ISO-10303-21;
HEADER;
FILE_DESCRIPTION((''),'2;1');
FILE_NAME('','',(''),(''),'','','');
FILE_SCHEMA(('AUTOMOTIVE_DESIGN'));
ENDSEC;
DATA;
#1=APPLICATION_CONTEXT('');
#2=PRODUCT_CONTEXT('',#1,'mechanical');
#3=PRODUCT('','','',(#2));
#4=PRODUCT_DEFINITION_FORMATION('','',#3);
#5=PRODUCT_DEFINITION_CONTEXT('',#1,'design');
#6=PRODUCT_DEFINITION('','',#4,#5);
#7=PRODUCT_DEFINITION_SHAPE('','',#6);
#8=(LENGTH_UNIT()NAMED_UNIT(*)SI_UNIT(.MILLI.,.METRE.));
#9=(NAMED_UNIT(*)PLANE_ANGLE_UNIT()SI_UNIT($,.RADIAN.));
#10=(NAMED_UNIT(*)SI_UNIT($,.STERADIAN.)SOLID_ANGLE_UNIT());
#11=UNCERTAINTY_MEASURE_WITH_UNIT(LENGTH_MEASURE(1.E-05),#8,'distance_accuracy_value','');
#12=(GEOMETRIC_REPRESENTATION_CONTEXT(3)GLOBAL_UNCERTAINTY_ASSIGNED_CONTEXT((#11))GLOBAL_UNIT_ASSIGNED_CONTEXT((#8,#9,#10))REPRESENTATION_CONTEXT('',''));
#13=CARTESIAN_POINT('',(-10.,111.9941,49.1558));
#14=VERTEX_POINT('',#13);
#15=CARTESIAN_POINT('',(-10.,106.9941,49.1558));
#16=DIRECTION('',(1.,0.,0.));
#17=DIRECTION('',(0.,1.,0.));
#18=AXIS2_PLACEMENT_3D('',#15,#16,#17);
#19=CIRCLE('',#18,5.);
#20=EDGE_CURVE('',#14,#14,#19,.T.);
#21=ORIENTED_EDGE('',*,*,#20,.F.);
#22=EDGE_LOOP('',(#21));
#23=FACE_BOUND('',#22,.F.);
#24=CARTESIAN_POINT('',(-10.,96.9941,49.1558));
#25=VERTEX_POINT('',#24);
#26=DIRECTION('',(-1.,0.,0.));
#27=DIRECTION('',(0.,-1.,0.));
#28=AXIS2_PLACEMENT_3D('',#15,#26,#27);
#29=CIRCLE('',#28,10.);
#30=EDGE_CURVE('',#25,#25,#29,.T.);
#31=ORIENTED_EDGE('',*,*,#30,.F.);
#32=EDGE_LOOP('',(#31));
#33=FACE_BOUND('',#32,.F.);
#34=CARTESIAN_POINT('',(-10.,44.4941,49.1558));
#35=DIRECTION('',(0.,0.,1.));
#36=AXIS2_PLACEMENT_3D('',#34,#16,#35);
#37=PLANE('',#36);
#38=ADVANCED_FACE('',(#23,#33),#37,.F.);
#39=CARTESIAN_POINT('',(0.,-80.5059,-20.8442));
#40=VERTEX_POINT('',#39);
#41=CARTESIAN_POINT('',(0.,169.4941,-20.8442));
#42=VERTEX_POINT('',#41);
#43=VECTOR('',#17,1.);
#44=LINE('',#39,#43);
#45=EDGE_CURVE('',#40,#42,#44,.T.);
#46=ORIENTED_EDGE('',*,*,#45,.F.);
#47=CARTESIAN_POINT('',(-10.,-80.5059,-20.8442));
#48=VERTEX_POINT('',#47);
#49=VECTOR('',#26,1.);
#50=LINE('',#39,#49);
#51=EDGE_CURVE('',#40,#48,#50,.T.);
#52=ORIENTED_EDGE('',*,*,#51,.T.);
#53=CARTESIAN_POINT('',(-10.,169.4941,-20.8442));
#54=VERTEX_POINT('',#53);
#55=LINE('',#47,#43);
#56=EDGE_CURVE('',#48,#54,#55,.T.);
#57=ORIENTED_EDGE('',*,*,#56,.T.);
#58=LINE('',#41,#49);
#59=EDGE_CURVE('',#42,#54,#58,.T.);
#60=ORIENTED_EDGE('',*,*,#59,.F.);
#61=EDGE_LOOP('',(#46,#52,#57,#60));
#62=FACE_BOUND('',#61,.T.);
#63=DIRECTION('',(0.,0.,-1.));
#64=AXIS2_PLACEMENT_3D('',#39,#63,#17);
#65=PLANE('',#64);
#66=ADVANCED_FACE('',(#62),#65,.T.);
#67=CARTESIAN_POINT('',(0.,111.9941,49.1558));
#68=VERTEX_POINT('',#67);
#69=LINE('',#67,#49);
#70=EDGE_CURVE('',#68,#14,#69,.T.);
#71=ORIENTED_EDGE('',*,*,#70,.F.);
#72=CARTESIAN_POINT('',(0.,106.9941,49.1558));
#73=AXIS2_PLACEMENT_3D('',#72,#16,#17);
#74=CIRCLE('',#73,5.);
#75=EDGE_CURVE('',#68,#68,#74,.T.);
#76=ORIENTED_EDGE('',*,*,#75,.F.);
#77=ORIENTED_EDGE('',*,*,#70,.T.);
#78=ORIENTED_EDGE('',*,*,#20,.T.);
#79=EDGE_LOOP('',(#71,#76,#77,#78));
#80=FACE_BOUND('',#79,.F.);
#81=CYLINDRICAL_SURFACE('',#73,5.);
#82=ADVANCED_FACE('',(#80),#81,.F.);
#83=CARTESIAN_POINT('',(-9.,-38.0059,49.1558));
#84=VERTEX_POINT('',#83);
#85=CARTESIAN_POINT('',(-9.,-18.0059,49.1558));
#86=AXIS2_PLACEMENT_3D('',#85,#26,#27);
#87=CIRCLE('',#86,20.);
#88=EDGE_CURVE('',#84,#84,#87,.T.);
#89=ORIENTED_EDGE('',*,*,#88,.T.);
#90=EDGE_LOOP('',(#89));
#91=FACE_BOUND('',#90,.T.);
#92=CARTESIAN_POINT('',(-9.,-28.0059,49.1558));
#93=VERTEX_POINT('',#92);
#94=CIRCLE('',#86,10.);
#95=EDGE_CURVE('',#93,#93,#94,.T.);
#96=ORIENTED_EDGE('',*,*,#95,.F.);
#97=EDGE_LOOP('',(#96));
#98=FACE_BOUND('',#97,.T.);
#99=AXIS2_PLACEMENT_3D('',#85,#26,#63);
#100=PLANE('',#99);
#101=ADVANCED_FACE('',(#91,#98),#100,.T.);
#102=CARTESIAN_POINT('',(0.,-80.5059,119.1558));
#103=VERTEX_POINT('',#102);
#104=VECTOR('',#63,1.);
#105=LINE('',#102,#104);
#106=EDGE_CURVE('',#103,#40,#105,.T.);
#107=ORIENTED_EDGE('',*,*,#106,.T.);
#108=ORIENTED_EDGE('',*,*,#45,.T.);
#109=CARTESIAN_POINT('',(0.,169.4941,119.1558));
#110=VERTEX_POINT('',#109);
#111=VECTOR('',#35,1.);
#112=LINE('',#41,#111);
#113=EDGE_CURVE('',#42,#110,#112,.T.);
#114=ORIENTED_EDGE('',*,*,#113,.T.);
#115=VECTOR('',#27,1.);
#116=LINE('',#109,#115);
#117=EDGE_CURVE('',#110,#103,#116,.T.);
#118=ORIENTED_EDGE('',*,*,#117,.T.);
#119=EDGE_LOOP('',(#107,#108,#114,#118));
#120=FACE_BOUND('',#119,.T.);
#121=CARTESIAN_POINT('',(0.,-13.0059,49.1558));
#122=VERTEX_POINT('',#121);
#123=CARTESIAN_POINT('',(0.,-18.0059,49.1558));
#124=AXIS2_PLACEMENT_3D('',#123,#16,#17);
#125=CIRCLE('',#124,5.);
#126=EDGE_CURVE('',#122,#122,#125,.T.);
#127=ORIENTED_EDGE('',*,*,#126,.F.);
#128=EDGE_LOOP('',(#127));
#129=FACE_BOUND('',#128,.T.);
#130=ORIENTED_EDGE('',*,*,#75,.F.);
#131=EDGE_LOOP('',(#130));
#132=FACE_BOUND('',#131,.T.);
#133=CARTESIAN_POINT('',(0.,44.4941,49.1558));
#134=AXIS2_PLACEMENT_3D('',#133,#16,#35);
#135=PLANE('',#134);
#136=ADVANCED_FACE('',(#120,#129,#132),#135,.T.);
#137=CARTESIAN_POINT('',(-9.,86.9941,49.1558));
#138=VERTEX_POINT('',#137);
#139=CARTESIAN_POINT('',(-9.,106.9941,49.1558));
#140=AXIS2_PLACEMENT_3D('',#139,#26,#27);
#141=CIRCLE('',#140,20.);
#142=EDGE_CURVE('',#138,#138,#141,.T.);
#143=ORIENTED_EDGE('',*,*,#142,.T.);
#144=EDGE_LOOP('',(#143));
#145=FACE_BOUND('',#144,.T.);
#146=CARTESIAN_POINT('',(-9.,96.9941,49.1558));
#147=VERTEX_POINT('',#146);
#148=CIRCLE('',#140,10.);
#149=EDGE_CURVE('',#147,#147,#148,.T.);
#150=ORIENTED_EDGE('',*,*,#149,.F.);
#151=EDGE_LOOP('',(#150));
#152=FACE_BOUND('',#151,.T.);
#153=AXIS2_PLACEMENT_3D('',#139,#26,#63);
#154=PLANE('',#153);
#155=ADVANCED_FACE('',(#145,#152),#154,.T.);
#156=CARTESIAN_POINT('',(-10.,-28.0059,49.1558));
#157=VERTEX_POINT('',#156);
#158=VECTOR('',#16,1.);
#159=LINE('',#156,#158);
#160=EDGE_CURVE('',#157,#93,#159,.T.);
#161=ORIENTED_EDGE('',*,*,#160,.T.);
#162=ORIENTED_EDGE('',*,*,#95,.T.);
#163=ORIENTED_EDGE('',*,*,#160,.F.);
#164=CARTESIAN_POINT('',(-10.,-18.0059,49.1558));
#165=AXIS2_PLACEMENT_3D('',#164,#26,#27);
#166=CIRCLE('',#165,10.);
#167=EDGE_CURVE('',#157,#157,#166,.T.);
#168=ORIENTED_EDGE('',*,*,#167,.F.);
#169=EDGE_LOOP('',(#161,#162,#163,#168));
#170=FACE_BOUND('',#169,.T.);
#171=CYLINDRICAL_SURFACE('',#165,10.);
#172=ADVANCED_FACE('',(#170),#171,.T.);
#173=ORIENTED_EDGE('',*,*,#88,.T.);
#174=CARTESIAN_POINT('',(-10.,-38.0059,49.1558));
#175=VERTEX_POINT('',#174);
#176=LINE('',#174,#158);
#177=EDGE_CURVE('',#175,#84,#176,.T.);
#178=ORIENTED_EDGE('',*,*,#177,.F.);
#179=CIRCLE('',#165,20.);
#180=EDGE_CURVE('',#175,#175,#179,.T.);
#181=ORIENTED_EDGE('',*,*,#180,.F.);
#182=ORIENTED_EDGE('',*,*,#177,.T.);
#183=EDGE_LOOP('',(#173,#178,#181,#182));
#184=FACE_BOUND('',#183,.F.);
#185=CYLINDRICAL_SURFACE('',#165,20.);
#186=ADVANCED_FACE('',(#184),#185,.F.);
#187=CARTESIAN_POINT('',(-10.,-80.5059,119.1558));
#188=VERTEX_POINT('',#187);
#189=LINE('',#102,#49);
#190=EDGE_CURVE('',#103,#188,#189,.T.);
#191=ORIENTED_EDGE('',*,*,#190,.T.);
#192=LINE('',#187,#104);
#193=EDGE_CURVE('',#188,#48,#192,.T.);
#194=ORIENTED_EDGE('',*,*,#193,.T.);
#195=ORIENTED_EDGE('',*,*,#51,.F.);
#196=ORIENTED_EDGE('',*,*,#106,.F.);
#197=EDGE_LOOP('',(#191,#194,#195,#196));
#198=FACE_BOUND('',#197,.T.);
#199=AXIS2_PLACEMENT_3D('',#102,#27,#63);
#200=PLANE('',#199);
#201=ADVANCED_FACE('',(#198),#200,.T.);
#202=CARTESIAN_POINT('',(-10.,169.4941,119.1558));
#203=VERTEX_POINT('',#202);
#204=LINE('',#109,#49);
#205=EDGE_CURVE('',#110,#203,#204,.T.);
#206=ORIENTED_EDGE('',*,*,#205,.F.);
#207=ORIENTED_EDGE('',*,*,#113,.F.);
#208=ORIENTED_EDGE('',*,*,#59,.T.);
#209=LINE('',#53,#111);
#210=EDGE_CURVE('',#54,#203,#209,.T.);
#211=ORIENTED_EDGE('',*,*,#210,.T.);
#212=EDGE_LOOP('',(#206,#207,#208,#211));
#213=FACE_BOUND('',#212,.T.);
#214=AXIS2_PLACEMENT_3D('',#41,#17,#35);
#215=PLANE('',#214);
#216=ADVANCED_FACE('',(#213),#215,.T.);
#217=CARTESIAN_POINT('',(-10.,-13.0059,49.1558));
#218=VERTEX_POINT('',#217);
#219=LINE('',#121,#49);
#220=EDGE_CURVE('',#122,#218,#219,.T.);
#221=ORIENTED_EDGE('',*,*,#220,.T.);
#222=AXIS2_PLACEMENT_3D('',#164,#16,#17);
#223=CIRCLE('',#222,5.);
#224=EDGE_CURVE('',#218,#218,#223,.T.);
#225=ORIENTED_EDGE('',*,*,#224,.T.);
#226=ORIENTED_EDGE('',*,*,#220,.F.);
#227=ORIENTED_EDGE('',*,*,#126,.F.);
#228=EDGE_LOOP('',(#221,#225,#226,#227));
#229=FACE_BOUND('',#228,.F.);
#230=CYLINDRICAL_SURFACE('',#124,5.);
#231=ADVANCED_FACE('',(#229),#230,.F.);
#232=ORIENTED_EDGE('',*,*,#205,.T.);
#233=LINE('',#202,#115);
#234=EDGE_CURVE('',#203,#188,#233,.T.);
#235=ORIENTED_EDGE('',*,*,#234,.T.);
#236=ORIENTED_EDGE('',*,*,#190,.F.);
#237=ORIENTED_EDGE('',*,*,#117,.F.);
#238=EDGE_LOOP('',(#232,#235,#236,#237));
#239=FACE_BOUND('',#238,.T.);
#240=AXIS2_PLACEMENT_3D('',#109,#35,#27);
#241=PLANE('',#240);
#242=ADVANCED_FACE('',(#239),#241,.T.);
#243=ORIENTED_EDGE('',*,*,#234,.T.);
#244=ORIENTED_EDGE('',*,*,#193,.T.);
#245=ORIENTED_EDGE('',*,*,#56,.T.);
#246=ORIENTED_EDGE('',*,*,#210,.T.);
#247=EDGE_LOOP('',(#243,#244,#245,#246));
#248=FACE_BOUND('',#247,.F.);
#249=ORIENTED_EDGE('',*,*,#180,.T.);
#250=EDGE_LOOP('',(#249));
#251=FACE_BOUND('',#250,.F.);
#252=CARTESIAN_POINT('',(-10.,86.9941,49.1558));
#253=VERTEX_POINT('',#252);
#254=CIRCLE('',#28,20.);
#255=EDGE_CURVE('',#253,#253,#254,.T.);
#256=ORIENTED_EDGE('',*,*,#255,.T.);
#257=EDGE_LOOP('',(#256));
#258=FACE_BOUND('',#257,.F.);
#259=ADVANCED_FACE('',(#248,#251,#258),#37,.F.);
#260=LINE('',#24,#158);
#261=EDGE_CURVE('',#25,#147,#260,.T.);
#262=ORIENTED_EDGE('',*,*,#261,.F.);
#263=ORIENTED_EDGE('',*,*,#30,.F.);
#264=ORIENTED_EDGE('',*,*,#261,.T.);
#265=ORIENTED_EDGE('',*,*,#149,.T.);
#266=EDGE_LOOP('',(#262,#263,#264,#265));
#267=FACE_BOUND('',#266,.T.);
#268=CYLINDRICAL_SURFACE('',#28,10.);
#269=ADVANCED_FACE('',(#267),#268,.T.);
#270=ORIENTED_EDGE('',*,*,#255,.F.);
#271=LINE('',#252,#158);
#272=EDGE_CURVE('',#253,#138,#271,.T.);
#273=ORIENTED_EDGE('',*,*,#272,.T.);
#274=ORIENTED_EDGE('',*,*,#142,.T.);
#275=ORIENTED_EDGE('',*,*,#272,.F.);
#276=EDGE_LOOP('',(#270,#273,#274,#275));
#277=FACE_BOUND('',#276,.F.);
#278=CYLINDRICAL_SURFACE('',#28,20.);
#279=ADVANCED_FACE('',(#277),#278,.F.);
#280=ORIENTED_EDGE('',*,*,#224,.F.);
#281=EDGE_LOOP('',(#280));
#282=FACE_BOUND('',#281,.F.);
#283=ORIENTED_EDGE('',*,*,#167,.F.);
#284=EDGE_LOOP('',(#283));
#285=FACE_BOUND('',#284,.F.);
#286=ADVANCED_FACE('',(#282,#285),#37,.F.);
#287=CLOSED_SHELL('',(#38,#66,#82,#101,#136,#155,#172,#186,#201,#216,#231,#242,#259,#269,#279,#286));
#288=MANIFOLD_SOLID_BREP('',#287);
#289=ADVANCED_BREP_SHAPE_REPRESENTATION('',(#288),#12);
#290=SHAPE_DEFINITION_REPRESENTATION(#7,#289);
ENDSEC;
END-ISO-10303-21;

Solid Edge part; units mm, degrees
sketch "Sketch1" plane through (0, 0, 0) normal (1, 0, 0) x (0, 1, 0)
  line L0 (-80.5059, -20.8442) -> (169.4941, -20.8442)
  line L1 (169.4941, -20.8442) -> (169.4941, 119.1558)
  line L2 (169.4941, 119.1558) -> (-80.5059, 119.1558)
  line L3 (-80.5059, 119.1558) -> (-80.5059, -20.8442)
  dimension "D1" = 140
  dimension "D2" = 250
extrude "Protrusion1" add sketch "Sketch1" against normal blind 10
sketch "Sketch2" plane through (-10, 44.4941, 29.1558) normal (-1, 0, 0) x (0, -1, 0)
  circle A0 centre (-62.5, 20) radius 10
  circle A1 centre (62.5, 20) radius 20
  circle A2 centre (62.5, 20) radius 10
  circle A3 centre (-62.5, 20) radius 20
  dimension "D1" = 20
  dimension "D2" = 20
  dimension "D3" = 40
  dimension "D4" = 125
  dimension "D5" = 62.5
  dimension "D6" = 70
extrude "Cutout1" cut sketch "Sketch2" against normal blind 1
sketch "Sketch3" plane through (0, 44.4941, 29.1558) normal (1, 0, 0) x (0, 1, 0)
  circle A0 centre (62.5, 20) radius 5
  circle A1 centre (-62.5, 20) radius 5
  dimension "D1" = 10
  dimension "D2" = 10
extrude "Cutout2" cut sketch "Sketch3" against normal through all
